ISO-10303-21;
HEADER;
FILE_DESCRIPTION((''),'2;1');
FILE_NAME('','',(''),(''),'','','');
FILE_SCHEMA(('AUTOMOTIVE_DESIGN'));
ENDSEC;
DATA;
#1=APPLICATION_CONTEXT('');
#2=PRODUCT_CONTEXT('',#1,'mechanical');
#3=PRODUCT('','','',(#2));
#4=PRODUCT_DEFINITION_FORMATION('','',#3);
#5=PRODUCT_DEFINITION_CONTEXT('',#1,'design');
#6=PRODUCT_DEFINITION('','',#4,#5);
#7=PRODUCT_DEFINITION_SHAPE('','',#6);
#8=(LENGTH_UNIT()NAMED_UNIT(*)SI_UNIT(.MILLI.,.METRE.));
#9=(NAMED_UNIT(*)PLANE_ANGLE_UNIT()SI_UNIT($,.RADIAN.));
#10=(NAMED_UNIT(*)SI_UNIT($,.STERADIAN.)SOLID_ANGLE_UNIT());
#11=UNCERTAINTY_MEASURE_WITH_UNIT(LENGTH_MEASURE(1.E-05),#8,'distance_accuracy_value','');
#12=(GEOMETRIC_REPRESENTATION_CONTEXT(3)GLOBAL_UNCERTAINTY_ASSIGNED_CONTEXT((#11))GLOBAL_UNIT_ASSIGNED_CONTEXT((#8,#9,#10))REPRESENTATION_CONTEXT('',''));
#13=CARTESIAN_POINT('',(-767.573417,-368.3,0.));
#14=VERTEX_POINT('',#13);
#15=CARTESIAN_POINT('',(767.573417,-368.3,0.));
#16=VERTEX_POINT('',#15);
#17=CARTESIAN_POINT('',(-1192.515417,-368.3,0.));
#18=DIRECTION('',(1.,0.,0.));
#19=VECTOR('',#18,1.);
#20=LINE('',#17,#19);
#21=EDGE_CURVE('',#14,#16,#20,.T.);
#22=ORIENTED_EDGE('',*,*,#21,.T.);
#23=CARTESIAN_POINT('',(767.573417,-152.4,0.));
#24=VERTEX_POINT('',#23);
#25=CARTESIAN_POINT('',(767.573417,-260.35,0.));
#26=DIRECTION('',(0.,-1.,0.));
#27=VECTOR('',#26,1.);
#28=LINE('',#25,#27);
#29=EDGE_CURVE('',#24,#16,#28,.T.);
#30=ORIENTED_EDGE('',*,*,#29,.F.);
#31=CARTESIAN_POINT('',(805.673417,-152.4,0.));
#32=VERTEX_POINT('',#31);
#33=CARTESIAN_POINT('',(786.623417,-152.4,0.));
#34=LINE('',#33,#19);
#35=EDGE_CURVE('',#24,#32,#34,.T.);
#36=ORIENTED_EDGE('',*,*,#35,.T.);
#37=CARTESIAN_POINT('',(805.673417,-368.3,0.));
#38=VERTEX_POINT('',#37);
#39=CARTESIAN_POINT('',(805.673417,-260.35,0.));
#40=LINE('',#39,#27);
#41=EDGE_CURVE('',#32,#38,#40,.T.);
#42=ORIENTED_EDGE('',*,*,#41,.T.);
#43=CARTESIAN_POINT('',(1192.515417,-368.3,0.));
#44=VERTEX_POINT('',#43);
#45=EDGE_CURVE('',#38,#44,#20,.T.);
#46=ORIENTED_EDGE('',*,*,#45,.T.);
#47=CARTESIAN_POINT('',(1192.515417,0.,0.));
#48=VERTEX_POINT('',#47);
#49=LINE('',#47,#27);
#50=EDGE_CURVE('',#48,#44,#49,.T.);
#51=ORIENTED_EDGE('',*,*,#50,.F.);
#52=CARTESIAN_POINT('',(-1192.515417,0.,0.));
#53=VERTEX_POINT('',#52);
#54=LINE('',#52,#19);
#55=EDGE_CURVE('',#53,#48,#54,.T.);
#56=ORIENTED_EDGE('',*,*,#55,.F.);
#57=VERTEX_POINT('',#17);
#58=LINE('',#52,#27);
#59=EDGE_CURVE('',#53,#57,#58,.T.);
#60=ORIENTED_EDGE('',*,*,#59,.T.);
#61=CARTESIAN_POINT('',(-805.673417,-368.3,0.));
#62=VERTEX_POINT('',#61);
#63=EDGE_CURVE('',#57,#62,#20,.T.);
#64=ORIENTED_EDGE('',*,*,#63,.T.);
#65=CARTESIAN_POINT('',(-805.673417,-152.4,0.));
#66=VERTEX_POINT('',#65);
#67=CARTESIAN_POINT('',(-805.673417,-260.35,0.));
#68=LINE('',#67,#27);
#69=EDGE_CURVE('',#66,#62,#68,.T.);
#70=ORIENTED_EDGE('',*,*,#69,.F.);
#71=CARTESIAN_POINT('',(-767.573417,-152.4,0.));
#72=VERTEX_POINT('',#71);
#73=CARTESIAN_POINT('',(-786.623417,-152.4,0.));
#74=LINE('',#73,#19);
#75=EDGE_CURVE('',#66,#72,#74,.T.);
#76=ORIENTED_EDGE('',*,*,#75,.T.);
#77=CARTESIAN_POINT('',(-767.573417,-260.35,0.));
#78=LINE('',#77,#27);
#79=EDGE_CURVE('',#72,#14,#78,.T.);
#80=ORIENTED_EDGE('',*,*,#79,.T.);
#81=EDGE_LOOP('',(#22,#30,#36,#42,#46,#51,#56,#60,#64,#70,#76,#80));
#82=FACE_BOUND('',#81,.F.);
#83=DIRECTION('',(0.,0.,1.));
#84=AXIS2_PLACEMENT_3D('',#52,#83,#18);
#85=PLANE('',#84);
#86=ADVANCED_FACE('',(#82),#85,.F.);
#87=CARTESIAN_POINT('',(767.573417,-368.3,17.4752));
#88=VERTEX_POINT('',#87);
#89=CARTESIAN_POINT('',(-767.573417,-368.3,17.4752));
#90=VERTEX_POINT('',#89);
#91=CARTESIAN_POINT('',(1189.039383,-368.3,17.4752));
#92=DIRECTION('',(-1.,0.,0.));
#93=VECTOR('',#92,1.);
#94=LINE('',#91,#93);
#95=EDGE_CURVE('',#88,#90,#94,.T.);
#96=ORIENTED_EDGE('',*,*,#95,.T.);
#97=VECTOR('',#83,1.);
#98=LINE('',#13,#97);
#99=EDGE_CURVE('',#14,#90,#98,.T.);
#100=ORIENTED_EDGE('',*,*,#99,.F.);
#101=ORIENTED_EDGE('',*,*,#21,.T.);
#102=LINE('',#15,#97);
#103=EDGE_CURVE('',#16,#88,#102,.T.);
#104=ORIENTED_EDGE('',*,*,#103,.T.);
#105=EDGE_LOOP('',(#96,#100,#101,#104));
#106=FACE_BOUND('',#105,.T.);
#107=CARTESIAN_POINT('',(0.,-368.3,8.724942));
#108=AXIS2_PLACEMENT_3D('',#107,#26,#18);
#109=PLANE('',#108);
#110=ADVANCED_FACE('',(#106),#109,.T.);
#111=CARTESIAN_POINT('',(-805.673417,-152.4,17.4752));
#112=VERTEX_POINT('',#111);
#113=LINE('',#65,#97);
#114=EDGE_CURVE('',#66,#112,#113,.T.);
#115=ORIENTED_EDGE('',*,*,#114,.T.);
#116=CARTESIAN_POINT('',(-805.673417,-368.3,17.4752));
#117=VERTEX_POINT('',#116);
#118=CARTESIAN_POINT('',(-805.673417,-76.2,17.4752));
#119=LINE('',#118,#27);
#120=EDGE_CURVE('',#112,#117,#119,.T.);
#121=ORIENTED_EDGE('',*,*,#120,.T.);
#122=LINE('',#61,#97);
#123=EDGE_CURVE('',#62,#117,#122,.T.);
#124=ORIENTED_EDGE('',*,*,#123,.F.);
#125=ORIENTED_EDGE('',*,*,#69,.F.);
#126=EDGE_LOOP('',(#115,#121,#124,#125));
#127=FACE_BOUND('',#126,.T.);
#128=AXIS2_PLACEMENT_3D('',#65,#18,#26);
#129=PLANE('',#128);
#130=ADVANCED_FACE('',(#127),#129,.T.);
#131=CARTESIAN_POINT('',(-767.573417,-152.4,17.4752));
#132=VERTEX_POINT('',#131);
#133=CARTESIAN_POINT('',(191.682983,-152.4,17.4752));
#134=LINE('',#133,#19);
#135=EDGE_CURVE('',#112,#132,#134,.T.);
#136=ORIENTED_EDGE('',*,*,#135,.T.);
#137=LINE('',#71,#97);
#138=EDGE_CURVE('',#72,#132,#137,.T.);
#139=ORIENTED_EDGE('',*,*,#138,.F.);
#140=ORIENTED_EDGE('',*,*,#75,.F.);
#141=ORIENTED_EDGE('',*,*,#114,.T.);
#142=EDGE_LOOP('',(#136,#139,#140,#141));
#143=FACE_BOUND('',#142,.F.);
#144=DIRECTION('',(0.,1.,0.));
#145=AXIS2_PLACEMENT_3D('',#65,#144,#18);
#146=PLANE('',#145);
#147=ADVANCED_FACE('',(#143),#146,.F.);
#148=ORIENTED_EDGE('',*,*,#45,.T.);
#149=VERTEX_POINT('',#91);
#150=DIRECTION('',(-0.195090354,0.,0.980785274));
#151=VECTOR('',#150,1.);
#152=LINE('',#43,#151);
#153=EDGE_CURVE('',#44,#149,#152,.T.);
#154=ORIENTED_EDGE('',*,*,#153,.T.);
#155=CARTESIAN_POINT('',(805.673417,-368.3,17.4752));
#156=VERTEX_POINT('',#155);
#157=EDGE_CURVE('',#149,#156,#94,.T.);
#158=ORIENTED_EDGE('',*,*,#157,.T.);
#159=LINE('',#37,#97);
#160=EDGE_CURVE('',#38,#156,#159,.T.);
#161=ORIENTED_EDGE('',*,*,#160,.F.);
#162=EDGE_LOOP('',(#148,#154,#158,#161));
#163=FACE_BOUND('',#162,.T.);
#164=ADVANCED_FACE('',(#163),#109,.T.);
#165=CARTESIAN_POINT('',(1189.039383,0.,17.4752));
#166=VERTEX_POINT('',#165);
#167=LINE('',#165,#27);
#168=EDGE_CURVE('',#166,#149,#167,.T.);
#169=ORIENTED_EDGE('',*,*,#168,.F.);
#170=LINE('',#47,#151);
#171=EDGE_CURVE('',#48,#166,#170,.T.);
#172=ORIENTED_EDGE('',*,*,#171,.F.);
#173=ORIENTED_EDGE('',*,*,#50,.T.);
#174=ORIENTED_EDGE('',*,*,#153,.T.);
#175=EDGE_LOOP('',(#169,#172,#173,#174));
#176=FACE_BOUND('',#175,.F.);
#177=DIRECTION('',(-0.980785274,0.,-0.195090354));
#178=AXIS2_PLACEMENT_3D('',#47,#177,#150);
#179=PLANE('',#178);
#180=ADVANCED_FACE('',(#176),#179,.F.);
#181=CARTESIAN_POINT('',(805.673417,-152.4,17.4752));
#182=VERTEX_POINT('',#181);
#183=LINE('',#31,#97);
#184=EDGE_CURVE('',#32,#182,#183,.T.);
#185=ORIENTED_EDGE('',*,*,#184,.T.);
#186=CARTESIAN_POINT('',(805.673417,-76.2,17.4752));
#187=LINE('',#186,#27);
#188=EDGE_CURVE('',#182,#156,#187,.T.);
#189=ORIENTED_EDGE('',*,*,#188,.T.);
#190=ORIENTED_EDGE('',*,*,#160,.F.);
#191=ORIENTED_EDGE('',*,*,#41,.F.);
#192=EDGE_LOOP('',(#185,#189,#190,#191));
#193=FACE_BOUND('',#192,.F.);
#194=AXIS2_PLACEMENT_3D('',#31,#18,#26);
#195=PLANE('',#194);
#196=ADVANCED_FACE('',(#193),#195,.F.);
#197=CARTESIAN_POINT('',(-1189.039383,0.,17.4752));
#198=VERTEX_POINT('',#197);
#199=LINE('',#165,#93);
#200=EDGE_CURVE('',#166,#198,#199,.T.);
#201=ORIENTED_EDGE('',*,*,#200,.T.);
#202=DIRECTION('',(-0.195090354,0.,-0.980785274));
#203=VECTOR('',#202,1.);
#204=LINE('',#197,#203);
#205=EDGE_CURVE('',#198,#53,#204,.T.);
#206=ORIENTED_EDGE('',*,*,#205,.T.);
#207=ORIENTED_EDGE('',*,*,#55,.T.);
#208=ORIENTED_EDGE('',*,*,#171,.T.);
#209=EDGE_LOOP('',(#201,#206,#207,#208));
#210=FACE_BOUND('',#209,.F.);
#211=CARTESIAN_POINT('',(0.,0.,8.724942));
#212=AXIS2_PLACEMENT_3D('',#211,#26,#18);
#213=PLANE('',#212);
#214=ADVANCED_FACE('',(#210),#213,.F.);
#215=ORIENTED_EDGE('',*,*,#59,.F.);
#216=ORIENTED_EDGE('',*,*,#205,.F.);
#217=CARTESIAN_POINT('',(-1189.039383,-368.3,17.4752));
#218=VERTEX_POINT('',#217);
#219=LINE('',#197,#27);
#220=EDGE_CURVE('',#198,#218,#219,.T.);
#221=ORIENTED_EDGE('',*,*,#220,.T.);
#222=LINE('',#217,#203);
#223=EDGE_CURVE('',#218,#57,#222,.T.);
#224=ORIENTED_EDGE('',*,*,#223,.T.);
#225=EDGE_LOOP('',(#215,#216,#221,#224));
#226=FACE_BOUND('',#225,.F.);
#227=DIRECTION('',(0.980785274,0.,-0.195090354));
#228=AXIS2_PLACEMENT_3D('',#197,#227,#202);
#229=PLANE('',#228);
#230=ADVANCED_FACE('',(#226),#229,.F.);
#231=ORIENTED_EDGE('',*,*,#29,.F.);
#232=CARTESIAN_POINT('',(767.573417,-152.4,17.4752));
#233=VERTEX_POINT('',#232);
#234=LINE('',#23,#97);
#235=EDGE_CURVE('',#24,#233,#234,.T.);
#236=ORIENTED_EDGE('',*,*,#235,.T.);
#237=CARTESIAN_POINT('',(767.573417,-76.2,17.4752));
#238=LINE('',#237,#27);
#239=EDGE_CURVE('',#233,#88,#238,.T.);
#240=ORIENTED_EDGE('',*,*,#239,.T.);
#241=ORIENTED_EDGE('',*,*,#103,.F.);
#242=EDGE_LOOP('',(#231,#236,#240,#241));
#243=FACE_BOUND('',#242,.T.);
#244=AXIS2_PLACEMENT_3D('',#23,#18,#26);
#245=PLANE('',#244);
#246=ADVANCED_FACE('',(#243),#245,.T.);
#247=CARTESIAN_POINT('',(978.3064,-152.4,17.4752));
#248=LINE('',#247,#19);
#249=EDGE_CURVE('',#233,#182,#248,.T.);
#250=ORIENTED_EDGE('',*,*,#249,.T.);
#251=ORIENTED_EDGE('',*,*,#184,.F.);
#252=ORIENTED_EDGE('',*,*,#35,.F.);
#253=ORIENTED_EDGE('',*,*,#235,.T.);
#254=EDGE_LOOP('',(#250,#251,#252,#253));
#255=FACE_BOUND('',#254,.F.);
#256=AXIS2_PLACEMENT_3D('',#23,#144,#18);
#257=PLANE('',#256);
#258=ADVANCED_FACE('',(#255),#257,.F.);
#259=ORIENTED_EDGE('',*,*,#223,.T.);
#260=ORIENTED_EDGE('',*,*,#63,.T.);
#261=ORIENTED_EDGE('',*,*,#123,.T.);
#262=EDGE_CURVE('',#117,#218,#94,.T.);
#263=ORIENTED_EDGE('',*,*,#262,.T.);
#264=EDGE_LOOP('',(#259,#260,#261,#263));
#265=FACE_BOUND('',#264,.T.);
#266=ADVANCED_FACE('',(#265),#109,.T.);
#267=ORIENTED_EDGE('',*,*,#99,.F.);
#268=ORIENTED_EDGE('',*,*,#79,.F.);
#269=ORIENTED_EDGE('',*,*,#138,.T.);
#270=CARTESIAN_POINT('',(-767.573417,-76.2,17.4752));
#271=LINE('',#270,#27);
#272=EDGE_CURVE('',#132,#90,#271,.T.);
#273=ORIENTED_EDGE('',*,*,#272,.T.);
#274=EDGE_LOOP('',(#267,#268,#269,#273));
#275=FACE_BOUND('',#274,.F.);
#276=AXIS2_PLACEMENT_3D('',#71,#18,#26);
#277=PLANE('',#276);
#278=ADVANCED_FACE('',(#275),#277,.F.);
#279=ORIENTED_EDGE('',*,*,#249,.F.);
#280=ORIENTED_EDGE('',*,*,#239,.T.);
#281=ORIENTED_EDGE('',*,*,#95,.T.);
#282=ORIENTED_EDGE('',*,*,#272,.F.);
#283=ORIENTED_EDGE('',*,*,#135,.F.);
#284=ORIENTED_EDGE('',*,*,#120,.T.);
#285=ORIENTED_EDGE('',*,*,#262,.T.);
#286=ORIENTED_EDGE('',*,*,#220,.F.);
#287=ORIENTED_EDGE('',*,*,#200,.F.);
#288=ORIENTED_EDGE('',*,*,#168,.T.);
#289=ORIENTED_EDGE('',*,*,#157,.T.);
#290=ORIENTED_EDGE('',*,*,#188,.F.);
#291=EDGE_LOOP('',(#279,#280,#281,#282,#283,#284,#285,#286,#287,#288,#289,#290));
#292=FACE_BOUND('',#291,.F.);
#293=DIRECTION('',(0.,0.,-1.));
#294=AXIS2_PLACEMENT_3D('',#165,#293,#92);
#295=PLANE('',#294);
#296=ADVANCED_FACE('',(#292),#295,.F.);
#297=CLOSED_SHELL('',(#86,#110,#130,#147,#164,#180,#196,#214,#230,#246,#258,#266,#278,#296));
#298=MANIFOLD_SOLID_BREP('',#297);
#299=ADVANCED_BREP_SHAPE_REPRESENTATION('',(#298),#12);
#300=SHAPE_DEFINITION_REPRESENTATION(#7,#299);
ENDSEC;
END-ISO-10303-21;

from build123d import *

# Parameters (mm, degrees)
F1_DEPTH = 368.3
F2_W     = 38.1
F2_H     = 215.9
F3_DEPTH = 17.4762


with BuildPart() as f1:
    # F0 (on Front) → F1 (new body)
    with BuildSketch(Plane.XZ):
        Polygon((-1189.039383, 17.4752), (-1192.515417, 0), (1192.515417, 0), (1189.039383, 17.4752), align=None)
    extrude(amount=F1_DEPTH)

    # F2 (on face) → F3 (cut, through all)
    with BuildSketch(Plane(origin=(0, 0, 0), x_dir=(1, 0, 0), z_dir=(0, 0, -1))):
        with Locations((-786.623417, 260.35)):
            Rectangle(F2_W, F2_H)
        with Locations((786.623417, 260.35)):
            Rectangle(F2_W, F2_H)
    extrude(amount=-F3_DEPTH, mode=Mode.SUBTRACT)


solid = f1.part
